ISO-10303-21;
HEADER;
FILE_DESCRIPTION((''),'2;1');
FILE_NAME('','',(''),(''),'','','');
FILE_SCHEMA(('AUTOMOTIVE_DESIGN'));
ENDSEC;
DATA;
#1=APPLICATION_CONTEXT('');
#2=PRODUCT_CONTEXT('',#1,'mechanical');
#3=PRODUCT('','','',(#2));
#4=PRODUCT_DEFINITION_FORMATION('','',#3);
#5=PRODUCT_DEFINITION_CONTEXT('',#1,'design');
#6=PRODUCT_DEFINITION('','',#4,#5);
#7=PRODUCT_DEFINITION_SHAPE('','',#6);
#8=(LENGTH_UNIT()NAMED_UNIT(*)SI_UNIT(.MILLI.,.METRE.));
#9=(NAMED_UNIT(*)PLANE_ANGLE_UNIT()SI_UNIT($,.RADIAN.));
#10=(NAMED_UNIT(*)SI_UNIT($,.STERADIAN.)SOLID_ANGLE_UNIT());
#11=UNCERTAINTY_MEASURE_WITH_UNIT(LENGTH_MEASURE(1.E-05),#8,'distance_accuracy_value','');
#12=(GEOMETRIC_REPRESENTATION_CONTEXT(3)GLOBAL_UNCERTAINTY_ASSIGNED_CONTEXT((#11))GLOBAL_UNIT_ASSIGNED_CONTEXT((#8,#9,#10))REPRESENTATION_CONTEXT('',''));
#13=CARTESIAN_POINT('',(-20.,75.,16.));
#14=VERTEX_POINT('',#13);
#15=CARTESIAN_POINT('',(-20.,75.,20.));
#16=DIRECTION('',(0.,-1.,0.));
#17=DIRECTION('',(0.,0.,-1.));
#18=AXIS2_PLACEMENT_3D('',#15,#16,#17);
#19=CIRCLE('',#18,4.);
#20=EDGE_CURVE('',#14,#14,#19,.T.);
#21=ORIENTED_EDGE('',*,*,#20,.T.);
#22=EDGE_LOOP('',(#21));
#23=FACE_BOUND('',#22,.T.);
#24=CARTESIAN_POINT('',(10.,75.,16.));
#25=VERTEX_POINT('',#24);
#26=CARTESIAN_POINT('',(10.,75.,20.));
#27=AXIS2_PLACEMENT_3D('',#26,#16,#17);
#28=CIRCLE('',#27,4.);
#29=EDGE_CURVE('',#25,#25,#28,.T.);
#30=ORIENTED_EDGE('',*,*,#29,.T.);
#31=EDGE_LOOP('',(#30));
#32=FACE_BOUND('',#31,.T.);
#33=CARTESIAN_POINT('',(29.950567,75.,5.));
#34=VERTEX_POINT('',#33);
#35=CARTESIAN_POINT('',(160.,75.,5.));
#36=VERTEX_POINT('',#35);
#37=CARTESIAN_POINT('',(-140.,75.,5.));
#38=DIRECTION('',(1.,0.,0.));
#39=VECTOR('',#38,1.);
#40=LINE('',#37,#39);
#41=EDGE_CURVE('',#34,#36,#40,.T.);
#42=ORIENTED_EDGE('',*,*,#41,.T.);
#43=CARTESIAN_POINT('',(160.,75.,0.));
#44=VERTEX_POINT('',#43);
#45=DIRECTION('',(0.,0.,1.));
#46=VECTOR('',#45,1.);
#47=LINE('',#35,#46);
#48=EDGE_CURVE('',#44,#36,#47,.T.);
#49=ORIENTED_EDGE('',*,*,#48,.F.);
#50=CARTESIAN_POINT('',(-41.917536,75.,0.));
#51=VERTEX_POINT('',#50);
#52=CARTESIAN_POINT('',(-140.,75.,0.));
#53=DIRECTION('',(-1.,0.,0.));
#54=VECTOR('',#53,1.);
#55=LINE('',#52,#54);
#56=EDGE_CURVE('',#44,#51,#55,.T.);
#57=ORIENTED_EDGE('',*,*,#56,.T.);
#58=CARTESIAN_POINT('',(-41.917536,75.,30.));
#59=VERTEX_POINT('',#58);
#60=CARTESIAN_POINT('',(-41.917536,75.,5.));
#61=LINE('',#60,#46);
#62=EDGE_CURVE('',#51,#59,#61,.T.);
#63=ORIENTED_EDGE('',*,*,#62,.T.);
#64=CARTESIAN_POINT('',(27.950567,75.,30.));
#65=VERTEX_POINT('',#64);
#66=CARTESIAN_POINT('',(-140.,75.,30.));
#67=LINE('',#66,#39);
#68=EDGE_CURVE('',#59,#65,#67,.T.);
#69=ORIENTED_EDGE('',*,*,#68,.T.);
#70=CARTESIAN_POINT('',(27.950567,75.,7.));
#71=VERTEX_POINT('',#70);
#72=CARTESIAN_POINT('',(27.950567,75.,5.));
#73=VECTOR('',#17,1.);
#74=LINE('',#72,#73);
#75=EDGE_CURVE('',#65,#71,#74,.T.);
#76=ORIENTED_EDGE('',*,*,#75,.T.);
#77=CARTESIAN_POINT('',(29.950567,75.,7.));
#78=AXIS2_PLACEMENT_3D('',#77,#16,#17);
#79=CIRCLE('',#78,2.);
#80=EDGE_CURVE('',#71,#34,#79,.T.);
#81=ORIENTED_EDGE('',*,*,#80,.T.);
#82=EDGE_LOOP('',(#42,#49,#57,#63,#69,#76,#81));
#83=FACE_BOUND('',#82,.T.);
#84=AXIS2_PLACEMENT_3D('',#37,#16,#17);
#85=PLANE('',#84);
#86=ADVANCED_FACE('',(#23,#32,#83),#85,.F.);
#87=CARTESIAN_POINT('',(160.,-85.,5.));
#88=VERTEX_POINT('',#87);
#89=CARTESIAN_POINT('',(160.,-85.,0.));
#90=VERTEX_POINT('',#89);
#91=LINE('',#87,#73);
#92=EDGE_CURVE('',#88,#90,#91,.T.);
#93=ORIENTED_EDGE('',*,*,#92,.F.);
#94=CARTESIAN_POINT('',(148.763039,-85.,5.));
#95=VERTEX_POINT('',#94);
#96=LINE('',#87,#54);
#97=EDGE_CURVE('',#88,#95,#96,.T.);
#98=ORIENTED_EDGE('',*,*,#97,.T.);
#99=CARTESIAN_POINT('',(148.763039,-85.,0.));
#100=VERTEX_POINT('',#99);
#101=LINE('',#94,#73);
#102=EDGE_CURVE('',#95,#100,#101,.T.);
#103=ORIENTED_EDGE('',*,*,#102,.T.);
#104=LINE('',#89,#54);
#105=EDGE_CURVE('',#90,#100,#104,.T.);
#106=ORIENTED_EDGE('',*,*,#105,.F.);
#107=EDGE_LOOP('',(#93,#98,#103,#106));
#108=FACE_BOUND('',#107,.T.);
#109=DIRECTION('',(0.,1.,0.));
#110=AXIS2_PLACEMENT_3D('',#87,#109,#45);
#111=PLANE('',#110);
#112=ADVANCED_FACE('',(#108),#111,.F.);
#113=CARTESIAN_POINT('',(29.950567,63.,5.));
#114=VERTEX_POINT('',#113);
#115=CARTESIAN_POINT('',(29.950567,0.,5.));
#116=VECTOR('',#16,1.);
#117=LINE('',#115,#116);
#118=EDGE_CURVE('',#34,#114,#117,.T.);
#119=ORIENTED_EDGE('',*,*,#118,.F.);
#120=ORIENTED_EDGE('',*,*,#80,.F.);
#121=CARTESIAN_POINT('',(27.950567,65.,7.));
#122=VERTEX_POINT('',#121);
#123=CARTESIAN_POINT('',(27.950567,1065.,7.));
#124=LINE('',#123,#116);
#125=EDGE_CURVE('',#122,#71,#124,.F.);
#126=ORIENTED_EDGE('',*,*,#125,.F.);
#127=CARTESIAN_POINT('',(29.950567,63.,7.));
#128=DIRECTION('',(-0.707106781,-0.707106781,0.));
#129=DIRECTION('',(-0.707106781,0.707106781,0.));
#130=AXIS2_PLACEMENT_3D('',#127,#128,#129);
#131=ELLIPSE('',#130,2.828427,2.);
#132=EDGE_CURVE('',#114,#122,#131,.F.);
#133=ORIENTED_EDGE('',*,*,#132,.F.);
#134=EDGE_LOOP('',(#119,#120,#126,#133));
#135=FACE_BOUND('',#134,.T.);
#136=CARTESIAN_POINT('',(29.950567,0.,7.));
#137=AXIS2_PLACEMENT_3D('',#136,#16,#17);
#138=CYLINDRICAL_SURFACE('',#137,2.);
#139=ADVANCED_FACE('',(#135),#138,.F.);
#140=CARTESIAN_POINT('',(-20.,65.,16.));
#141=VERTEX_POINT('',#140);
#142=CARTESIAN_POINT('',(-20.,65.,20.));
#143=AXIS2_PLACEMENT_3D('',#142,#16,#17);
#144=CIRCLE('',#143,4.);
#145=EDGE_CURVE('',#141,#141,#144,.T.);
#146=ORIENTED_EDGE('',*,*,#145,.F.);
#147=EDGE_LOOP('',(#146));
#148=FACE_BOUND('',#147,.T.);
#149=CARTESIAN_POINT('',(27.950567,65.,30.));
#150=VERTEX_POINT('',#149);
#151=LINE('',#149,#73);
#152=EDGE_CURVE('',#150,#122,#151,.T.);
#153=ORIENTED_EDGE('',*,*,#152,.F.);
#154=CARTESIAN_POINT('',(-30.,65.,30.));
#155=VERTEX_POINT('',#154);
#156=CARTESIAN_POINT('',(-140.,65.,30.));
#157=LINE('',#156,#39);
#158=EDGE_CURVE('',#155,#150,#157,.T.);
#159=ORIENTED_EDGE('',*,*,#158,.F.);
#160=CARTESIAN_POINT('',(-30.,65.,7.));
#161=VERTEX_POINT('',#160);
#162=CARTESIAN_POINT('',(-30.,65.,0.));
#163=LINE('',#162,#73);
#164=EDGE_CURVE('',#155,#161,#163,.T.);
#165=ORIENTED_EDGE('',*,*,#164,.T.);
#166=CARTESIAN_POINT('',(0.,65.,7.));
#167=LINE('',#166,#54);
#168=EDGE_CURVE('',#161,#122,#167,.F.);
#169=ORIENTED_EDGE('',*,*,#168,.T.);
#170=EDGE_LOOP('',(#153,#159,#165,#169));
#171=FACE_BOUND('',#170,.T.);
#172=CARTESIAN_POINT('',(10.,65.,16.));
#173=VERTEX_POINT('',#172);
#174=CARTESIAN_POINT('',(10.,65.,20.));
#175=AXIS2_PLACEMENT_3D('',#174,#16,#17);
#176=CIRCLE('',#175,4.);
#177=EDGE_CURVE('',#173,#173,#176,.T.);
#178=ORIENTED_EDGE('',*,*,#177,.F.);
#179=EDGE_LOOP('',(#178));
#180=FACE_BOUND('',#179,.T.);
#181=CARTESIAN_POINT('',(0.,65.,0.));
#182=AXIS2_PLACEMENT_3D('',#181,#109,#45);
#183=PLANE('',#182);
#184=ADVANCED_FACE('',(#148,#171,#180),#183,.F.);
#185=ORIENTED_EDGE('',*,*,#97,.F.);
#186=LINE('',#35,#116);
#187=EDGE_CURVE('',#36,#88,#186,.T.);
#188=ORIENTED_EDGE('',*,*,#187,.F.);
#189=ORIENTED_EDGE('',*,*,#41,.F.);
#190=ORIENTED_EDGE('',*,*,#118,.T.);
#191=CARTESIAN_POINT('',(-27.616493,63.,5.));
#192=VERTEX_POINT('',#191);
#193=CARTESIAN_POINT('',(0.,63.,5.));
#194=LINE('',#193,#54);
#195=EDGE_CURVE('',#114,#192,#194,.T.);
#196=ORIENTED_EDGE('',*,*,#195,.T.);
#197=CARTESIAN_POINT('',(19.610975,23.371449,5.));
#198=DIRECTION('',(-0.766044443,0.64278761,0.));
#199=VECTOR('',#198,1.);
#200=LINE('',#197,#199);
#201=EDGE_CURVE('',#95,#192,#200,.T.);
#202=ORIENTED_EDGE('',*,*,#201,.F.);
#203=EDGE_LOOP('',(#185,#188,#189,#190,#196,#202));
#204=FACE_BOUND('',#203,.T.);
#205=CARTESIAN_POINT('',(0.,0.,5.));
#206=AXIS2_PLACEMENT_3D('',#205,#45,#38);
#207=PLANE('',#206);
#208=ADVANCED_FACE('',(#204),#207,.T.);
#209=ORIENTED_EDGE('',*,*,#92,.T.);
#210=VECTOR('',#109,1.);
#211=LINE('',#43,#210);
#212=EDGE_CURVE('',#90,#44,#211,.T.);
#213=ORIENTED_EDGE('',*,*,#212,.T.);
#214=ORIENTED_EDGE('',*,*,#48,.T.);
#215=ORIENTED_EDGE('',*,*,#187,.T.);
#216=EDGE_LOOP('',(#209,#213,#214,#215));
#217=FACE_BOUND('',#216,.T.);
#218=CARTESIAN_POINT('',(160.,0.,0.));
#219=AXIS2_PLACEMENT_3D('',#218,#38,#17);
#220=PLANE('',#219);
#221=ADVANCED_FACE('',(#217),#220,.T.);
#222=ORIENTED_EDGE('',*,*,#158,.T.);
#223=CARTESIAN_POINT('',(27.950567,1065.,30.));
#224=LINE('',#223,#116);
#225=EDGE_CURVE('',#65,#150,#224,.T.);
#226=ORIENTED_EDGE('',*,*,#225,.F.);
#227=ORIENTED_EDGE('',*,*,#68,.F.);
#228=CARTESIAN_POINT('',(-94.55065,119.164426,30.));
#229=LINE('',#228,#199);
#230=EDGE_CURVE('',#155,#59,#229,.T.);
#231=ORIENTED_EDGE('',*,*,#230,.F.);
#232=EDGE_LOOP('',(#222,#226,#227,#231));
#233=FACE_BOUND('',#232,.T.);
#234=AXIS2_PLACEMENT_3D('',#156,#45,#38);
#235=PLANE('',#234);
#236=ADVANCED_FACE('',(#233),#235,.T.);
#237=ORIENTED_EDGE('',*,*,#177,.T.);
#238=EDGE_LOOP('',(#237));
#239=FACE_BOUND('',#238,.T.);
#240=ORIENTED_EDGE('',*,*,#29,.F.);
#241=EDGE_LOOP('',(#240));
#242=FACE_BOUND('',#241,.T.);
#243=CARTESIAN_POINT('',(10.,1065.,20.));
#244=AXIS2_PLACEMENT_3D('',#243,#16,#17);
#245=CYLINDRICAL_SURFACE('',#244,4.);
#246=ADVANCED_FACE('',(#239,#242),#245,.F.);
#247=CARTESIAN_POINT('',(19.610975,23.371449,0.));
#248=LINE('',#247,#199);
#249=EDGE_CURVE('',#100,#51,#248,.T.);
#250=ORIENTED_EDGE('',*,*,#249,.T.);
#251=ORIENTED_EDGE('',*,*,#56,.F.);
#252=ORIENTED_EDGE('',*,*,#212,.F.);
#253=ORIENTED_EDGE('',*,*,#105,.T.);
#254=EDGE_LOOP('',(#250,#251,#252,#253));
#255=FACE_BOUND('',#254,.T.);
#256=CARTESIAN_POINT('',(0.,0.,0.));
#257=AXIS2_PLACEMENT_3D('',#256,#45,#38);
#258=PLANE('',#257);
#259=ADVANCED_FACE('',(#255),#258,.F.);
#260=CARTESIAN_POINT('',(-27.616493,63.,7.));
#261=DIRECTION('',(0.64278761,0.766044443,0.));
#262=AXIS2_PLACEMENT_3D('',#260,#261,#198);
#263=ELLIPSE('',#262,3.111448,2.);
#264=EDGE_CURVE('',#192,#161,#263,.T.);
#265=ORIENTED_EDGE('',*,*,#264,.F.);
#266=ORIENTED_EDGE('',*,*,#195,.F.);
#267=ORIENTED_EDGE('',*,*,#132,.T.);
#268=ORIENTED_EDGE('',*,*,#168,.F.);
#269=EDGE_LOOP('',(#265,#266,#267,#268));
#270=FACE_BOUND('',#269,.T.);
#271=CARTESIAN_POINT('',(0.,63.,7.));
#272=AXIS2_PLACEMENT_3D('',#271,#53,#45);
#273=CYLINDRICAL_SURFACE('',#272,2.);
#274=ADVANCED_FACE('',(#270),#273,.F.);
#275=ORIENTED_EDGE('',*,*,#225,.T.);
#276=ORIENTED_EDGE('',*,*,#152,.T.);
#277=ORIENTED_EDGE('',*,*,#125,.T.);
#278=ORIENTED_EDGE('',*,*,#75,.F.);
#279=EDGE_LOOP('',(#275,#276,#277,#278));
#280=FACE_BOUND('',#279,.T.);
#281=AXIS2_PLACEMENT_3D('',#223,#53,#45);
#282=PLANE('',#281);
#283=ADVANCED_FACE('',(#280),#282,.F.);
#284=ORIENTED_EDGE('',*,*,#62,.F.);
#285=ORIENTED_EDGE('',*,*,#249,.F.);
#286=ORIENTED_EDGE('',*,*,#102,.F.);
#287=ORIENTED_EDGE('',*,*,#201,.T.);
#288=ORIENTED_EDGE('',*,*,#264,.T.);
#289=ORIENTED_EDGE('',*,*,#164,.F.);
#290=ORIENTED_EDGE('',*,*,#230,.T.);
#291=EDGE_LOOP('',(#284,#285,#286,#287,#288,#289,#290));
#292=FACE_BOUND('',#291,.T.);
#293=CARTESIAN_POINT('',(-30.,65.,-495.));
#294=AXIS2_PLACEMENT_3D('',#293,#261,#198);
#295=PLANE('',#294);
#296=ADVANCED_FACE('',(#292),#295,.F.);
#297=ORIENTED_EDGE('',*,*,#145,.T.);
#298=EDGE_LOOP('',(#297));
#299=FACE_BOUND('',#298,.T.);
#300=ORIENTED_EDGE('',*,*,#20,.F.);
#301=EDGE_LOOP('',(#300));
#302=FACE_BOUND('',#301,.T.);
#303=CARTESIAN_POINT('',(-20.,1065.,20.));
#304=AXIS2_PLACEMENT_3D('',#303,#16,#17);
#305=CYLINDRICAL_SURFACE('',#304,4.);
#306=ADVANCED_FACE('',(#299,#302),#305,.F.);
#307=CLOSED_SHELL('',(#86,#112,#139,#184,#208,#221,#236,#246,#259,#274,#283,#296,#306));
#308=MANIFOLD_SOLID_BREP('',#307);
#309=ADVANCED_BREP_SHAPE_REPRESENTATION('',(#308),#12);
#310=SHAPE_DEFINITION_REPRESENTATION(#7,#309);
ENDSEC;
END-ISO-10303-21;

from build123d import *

# Parameters (mm, degrees)
SKETCH_1_W          = 280
SKETCH_1_H          = 150
EXTRUDE_1_DEPTH     = 5
SKETCH_2_W          = 280
SKETCH_2_H          = 25
EXTRUDE_3_DEPTH     = 10
CUT_EXTRUDE_1_DEPTH = 500
SKETCH_7_R          = 4
CUT_EXTRUDE_2_DEPTH = 1000
SKETCH_8_W          = 112.049433073
SKETCH_8_H          = 25
CUT_EXTRUDE_3_DEPTH = 1000
SKETCH_9_W          = 5
SKETCH_9_H          = 160
EXTRUDE_4_DEPTH     = 20
EXTRUDE_5_DEPTH     = 5
CUT_EXTRUDE_4_DEPTH = 50
FILLET_1_R          = 2
FILLET_2_R          = 2


with BuildPart() as part:
    # 草图1 → 凸台-拉伸1 (new body)
    with BuildSketch(Plane.XY):
        Rectangle(SKETCH_1_W, SKETCH_1_H)
    extrude(amount=EXTRUDE_1_DEPTH)

    # 草图2 → 凸台-拉伸3 (add)
    with BuildSketch(Plane(origin=(0, 75, 0), x_dir=(1, 0, 0), z_dir=(0, 1, 0))):
        with Locations((0, -17.5)):
            Rectangle(SKETCH_2_W, SKETCH_2_H)
    extrude(amount=-EXTRUDE_3_DEPTH)

    # 草图6 → 切除-拉伸1 (cut, symmetric)
    with BuildSketch(Plane.XY.offset(5)):
        Polygon((154.593930268, -89.892698805), (-30, 65), (-77.119612047, 104.53804909), (-170.923908706, 102.008061066), (-172.604783039, -51.581831085), (-172.604783039, -108.521449105), align=None)
    extrude(amount=CUT_EXTRUDE_1_DEPTH, both=True, mode=Mode.SUBTRACT)

    # 草图7 → 切除-拉伸2 (cut)
    with BuildSketch(Plane.XZ.offset(-65)):
        with Locations(Location((-20, 20, 0), (0, 0, 270))):
            Circle(SKETCH_7_R)
        with Locations(Location((10, 20, 0), (0, 0, 270))):
            Circle(SKETCH_7_R)
    extrude(amount=-CUT_EXTRUDE_2_DEPTH, mode=Mode.SUBTRACT)

    # 草图8 → 切除-拉伸3 (cut)
    with BuildSketch(Plane.XZ.offset(-65)):
        with Locations((83.975283464, 17.5)):
            Rectangle(SKETCH_8_W, SKETCH_8_H)
    extrude(amount=-CUT_EXTRUDE_3_DEPTH, mode=Mode.SUBTRACT)

    # 草图9 → 凸台-拉伸4 (add)
    with BuildSketch(Plane(origin=(140, 0, 0), x_dir=(0, 0, -1), z_dir=(1, 0, 0))):
        with Locations((-2.5, -5)):
            Rectangle(SKETCH_9_W, SKETCH_9_H)
    extrude(amount=EXTRUDE_4_DEPTH)

    # 草图10 → 凸台-拉伸5 (add)
    with BuildSketch(Plane.XY.offset(5)):
        Polygon((136.845502963, -75), (140, -77.6469373), (140, -75), align=None)
    extrude(amount=-EXTRUDE_5_DEPTH)

    # 草图11 → 切除-拉伸4 (cut)
    with BuildSketch(Plane.XY.offset(5)):
        Polygon((140, -77.6469373), (159.760548741, -94.228006461), (119.027644691, -86.706463214), align=None)
    extrude(amount=-CUT_EXTRUDE_4_DEPTH, mode=Mode.SUBTRACT)

    # 圆角1
    fillet_1_edges = [part.edges().sort_by_distance(p)[0] for p in [
        (-1.024716536, 65, 5),
    ]]
    fillet(fillet_1_edges, radius=FILLET_1_R)

    # 圆角2
    fillet_2_edges = [part.edges().sort_by_distance(p)[0] for p in [
        (27.950566927, 69, 5),
    ]]
    fillet(fillet_2_edges, radius=FILLET_2_R)


solid = part.part
